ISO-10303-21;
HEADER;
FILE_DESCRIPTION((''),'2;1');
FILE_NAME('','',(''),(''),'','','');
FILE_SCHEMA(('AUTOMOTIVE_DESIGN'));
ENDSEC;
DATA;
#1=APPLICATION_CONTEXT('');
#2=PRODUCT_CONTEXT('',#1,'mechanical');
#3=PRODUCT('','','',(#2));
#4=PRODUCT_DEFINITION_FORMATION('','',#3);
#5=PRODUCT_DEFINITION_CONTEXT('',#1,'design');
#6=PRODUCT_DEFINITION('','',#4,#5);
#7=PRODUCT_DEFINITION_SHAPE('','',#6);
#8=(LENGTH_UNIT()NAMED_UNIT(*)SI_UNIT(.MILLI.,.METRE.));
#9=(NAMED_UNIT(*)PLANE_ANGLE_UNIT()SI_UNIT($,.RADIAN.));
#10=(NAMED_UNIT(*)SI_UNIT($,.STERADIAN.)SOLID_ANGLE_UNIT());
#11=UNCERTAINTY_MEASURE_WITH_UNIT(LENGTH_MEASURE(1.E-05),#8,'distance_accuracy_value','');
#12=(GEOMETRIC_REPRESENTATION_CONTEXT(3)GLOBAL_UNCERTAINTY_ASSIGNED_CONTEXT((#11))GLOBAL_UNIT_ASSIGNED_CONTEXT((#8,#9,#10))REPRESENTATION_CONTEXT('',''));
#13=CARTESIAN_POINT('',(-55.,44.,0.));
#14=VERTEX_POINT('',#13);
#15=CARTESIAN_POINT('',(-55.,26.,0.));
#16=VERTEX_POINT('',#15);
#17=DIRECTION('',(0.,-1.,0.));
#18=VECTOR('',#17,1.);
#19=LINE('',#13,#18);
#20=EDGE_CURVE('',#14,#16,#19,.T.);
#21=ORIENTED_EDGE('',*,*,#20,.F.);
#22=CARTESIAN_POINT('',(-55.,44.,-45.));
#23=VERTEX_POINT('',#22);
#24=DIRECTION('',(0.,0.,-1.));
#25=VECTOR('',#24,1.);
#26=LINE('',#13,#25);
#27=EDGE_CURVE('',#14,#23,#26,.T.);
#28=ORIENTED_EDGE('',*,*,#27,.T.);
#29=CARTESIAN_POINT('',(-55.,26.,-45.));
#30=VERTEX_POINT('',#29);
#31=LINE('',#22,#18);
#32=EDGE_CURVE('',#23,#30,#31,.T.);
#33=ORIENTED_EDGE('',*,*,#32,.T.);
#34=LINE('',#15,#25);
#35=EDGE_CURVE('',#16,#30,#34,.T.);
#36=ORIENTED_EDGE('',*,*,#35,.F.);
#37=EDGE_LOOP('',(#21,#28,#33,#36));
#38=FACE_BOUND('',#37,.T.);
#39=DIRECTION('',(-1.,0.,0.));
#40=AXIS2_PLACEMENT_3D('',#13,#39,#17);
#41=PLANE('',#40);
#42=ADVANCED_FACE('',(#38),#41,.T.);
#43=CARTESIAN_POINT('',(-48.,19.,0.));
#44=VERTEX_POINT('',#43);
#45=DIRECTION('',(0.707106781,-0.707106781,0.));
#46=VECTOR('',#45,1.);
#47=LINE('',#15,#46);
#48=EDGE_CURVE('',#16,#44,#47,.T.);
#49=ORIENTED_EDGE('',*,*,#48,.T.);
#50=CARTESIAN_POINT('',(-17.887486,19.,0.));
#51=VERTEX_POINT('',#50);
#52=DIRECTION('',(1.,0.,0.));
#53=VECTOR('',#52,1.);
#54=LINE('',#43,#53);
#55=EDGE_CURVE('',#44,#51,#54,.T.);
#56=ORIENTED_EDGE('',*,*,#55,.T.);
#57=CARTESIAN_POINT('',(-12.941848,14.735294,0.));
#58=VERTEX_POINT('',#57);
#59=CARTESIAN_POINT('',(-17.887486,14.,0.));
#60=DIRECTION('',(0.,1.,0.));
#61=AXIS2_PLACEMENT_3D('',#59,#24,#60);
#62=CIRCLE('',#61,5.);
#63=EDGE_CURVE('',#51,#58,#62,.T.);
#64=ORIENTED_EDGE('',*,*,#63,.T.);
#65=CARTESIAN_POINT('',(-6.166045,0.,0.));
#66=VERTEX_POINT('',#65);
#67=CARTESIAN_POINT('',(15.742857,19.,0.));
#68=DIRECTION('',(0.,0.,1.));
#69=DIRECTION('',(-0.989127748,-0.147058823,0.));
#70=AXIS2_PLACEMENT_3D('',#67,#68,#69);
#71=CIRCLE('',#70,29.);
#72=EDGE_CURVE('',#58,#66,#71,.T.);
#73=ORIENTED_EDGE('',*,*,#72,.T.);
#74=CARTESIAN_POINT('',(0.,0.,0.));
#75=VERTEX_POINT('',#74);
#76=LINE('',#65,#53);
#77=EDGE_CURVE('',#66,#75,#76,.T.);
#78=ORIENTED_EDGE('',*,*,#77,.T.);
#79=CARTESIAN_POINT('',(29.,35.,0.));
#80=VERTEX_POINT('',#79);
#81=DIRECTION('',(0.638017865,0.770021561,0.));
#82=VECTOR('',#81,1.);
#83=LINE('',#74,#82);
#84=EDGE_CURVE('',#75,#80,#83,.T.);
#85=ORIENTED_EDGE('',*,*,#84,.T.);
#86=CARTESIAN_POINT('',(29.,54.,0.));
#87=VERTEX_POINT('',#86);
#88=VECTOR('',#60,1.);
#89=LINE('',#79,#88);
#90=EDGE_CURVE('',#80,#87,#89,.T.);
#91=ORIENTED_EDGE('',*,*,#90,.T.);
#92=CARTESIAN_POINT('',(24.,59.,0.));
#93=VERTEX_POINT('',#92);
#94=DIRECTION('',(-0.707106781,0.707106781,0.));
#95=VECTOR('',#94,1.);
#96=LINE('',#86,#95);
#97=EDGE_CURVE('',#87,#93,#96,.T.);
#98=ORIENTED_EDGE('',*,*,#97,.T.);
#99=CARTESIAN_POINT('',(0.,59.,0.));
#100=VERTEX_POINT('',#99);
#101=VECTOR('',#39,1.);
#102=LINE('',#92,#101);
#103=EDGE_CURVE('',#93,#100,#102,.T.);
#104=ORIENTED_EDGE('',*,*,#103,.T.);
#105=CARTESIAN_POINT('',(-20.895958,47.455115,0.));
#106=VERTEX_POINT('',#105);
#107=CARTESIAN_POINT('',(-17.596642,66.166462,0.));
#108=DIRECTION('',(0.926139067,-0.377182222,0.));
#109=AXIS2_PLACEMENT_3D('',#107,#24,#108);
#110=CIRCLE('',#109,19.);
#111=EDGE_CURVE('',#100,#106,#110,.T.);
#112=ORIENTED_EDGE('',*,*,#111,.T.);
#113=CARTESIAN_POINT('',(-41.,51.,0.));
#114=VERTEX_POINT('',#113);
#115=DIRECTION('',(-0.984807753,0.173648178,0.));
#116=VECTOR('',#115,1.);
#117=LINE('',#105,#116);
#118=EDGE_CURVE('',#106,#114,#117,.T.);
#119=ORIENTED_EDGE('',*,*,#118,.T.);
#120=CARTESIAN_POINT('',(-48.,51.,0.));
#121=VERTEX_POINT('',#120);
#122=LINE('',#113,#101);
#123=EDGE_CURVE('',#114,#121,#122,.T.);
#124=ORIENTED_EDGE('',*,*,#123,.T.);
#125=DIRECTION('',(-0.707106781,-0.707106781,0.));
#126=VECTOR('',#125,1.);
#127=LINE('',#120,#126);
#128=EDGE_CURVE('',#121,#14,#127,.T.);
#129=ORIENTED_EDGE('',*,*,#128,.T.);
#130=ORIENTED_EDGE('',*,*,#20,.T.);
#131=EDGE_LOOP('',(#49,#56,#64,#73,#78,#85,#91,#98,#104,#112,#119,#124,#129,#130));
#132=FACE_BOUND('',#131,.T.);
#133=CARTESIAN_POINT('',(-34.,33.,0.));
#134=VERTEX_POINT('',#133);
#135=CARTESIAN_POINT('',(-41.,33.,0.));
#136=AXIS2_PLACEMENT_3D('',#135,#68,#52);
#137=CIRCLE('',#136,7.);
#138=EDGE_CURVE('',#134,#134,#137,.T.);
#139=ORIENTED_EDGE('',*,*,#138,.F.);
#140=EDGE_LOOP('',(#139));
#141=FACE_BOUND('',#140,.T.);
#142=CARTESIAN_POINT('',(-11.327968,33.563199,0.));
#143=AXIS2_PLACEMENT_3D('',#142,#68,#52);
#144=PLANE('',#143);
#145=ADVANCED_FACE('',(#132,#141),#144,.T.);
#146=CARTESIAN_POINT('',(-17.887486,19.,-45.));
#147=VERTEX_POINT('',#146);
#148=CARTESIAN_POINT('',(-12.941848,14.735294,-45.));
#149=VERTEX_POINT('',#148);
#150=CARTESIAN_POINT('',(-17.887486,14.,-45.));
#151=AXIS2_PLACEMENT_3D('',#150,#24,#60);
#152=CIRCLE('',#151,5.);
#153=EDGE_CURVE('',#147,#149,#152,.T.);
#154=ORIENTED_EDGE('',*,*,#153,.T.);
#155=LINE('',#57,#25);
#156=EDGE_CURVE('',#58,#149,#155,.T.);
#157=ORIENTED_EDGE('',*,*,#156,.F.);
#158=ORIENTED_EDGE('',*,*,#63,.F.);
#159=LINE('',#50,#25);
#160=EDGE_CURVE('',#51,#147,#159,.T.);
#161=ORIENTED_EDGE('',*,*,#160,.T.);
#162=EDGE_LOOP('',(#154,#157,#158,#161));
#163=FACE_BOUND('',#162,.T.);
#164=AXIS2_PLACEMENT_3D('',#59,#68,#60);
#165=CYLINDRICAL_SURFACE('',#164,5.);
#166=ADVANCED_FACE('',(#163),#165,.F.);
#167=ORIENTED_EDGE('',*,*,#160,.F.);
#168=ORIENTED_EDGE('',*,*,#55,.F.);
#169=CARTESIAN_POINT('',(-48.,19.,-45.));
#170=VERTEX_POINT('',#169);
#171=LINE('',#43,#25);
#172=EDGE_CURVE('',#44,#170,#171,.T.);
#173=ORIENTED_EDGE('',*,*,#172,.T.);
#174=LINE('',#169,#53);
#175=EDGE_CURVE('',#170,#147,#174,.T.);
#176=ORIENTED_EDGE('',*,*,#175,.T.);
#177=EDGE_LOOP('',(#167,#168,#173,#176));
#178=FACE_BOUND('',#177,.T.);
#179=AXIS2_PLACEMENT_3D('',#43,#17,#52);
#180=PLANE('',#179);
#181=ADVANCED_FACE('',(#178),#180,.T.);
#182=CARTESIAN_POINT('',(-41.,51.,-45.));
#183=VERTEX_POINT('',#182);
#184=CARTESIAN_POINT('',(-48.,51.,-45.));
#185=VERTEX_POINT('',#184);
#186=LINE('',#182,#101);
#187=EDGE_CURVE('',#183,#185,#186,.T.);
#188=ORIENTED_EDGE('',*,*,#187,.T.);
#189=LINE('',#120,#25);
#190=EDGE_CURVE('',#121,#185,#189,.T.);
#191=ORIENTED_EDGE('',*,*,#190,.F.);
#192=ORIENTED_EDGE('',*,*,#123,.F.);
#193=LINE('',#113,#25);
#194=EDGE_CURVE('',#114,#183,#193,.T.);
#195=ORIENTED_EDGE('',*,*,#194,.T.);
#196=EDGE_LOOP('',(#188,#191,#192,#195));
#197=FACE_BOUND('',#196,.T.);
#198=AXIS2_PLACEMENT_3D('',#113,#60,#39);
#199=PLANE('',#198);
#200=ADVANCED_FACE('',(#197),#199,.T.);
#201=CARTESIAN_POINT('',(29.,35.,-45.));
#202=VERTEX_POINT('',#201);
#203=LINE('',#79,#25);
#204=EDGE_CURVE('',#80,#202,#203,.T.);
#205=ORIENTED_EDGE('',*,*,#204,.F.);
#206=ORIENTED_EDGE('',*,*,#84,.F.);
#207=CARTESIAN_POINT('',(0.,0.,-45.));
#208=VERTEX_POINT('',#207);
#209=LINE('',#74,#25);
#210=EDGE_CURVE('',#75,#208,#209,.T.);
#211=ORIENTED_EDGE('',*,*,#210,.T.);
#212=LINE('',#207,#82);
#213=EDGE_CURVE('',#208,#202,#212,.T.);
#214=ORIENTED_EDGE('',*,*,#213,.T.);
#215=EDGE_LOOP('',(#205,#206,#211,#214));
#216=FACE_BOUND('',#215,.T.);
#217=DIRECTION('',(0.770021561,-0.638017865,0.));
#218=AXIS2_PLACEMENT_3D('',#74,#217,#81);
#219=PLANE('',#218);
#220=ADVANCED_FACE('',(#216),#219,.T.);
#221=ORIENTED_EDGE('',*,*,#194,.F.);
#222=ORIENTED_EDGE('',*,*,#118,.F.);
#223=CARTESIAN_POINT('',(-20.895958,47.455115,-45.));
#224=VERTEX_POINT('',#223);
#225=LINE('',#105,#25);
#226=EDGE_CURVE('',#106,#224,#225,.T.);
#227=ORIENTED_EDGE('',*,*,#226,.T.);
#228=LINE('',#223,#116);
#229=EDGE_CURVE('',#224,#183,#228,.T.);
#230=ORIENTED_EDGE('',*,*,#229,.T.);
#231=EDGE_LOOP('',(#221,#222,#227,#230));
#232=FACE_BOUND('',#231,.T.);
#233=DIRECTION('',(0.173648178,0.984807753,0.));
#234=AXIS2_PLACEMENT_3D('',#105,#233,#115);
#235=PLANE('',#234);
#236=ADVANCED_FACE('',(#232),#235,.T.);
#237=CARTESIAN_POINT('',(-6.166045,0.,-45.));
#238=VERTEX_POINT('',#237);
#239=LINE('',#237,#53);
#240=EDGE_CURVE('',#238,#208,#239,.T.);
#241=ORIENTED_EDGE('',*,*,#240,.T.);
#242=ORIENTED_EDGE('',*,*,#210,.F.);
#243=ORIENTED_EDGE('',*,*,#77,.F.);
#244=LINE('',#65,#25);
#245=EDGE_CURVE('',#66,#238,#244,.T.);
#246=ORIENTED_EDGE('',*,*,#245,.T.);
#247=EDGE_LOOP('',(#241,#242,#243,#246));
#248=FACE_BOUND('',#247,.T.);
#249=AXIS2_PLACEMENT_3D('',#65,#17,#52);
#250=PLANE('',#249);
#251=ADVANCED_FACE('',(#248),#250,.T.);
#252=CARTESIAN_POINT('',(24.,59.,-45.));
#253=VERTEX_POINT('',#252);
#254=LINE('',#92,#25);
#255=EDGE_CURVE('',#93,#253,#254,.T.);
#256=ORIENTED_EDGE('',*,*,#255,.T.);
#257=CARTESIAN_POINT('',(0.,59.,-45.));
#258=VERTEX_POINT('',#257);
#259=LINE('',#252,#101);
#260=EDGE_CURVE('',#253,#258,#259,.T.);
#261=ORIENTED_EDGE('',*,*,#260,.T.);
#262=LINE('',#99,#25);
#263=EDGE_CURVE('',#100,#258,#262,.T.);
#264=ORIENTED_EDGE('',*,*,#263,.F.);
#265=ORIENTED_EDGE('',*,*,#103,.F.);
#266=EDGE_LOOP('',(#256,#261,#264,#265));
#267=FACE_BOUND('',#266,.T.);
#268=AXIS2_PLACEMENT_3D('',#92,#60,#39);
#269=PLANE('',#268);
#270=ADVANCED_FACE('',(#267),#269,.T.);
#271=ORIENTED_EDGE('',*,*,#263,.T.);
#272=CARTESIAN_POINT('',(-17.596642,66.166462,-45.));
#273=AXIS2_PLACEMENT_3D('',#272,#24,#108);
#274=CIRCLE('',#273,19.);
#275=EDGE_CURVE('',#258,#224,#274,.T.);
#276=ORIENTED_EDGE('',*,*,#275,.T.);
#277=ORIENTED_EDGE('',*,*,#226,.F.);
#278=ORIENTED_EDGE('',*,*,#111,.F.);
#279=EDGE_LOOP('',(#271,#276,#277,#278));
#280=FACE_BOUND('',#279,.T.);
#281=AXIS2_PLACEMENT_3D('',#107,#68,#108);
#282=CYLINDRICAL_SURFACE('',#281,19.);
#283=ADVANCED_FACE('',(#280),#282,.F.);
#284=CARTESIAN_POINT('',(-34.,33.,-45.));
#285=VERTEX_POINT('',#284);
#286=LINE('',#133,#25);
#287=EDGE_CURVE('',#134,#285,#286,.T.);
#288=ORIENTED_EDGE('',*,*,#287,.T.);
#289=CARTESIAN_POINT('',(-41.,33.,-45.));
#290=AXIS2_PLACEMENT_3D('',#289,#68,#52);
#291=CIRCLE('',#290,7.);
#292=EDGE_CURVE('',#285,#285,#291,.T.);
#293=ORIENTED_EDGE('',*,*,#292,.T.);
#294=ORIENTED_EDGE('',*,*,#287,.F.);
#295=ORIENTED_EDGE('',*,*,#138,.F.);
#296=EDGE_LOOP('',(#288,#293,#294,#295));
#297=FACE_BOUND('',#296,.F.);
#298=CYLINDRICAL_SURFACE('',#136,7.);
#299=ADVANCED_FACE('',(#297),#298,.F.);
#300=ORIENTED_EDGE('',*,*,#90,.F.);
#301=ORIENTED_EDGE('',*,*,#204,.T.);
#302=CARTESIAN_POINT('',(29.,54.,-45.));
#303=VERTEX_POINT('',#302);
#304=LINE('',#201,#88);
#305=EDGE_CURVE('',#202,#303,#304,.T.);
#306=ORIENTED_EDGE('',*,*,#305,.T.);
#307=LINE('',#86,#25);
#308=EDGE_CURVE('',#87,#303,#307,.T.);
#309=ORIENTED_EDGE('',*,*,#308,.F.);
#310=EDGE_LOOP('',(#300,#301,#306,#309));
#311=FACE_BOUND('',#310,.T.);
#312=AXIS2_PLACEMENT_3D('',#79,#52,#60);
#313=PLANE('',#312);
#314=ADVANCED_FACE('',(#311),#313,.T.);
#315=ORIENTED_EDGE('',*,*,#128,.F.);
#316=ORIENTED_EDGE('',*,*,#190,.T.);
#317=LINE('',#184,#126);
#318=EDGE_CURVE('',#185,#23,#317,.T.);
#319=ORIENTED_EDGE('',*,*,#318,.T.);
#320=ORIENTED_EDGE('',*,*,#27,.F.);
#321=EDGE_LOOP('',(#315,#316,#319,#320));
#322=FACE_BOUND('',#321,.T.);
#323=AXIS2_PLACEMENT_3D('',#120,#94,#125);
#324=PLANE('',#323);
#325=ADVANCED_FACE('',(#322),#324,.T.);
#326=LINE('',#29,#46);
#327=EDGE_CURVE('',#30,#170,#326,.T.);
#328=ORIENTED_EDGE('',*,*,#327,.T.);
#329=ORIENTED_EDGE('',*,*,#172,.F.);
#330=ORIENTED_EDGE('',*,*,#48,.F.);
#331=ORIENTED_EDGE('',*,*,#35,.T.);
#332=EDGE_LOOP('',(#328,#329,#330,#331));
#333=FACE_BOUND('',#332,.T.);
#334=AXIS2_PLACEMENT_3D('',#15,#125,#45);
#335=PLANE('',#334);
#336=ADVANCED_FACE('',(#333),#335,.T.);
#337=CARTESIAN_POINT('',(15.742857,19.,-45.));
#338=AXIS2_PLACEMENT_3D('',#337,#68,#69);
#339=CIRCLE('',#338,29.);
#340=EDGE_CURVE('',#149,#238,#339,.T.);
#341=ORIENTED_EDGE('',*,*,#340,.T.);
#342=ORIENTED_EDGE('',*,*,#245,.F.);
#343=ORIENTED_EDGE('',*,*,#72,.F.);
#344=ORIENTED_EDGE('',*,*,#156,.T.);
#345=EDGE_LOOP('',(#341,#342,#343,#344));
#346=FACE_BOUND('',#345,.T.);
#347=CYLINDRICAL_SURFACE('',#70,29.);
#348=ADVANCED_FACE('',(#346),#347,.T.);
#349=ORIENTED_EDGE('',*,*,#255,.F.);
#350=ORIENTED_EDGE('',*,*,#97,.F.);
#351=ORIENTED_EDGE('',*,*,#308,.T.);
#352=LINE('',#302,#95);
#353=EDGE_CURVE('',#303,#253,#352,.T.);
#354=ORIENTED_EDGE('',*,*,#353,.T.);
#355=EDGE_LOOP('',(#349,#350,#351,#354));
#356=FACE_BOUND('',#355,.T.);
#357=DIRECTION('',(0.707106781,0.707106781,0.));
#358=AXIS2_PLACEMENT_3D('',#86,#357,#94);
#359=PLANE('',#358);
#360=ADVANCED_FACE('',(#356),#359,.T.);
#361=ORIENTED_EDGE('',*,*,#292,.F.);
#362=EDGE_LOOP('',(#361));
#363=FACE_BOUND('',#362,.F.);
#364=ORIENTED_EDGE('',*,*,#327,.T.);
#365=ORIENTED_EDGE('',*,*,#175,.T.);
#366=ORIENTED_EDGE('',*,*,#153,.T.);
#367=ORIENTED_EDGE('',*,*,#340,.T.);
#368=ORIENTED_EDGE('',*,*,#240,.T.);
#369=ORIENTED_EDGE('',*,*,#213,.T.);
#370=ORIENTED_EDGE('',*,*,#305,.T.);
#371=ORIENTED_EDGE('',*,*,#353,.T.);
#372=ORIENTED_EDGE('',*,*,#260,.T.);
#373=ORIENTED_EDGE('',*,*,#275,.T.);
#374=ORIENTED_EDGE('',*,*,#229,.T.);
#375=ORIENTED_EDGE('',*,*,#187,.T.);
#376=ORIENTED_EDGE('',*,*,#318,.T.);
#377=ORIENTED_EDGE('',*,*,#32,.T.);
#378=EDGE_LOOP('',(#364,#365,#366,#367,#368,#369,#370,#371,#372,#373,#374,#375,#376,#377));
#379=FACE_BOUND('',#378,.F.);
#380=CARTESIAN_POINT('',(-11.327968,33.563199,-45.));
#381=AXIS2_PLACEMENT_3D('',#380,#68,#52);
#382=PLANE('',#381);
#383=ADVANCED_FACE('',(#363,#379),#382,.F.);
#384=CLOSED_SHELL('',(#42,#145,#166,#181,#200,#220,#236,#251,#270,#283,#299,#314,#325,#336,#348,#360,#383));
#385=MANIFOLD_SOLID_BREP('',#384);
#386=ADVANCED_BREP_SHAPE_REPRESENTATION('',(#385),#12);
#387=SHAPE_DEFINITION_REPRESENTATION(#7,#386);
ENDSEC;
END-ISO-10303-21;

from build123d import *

# Parameters (mm, degrees)
ESQUISSE1_R        = 7
BOSS_EXTRU_1_DEPTH = 45


with BuildPart() as part:
    # Esquisse1 → Boss.-Extru.1 (new body)
    with BuildSketch(Plane.XY):
        with BuildLine():
            Line((0, 0), (29, 35))
            Line((29, 35), (29, 54))
            Line((29, 54), (24, 59))
            Line((24, 59), (0, 59))
            ThreePointArc((0, 59), (-8.408362672, 49.535902458), (-20.895957648, 47.455114912))
            Line((-20.895957648, 47.455114912), (-41, 51))
            Line((-41, 51), (-48, 51))
            Line((-48, 51), (-55, 44))
            Line((-55, 44), (-55, 26))
            Line((-55, 26), (-48, 19))
            Line((-48, 19), (-17.887486299, 19))
            ThreePointArc((-17.887486299, 19), (-14.622250518, 17.786586232), (-12.941847557, 14.735294118))
            ThreePointArc((-12.941847557, 14.735294118), (-10.605017354, 6.884327939), (-6.166045157, 0))
            Line((-6.166045157, 0), (0, 0))
        make_face()
        with Locations((-41, 33)):
            Circle(ESQUISSE1_R, mode=Mode.SUBTRACT)
    extrude(amount=-BOSS_EXTRU_1_DEPTH)


solid = part.part
